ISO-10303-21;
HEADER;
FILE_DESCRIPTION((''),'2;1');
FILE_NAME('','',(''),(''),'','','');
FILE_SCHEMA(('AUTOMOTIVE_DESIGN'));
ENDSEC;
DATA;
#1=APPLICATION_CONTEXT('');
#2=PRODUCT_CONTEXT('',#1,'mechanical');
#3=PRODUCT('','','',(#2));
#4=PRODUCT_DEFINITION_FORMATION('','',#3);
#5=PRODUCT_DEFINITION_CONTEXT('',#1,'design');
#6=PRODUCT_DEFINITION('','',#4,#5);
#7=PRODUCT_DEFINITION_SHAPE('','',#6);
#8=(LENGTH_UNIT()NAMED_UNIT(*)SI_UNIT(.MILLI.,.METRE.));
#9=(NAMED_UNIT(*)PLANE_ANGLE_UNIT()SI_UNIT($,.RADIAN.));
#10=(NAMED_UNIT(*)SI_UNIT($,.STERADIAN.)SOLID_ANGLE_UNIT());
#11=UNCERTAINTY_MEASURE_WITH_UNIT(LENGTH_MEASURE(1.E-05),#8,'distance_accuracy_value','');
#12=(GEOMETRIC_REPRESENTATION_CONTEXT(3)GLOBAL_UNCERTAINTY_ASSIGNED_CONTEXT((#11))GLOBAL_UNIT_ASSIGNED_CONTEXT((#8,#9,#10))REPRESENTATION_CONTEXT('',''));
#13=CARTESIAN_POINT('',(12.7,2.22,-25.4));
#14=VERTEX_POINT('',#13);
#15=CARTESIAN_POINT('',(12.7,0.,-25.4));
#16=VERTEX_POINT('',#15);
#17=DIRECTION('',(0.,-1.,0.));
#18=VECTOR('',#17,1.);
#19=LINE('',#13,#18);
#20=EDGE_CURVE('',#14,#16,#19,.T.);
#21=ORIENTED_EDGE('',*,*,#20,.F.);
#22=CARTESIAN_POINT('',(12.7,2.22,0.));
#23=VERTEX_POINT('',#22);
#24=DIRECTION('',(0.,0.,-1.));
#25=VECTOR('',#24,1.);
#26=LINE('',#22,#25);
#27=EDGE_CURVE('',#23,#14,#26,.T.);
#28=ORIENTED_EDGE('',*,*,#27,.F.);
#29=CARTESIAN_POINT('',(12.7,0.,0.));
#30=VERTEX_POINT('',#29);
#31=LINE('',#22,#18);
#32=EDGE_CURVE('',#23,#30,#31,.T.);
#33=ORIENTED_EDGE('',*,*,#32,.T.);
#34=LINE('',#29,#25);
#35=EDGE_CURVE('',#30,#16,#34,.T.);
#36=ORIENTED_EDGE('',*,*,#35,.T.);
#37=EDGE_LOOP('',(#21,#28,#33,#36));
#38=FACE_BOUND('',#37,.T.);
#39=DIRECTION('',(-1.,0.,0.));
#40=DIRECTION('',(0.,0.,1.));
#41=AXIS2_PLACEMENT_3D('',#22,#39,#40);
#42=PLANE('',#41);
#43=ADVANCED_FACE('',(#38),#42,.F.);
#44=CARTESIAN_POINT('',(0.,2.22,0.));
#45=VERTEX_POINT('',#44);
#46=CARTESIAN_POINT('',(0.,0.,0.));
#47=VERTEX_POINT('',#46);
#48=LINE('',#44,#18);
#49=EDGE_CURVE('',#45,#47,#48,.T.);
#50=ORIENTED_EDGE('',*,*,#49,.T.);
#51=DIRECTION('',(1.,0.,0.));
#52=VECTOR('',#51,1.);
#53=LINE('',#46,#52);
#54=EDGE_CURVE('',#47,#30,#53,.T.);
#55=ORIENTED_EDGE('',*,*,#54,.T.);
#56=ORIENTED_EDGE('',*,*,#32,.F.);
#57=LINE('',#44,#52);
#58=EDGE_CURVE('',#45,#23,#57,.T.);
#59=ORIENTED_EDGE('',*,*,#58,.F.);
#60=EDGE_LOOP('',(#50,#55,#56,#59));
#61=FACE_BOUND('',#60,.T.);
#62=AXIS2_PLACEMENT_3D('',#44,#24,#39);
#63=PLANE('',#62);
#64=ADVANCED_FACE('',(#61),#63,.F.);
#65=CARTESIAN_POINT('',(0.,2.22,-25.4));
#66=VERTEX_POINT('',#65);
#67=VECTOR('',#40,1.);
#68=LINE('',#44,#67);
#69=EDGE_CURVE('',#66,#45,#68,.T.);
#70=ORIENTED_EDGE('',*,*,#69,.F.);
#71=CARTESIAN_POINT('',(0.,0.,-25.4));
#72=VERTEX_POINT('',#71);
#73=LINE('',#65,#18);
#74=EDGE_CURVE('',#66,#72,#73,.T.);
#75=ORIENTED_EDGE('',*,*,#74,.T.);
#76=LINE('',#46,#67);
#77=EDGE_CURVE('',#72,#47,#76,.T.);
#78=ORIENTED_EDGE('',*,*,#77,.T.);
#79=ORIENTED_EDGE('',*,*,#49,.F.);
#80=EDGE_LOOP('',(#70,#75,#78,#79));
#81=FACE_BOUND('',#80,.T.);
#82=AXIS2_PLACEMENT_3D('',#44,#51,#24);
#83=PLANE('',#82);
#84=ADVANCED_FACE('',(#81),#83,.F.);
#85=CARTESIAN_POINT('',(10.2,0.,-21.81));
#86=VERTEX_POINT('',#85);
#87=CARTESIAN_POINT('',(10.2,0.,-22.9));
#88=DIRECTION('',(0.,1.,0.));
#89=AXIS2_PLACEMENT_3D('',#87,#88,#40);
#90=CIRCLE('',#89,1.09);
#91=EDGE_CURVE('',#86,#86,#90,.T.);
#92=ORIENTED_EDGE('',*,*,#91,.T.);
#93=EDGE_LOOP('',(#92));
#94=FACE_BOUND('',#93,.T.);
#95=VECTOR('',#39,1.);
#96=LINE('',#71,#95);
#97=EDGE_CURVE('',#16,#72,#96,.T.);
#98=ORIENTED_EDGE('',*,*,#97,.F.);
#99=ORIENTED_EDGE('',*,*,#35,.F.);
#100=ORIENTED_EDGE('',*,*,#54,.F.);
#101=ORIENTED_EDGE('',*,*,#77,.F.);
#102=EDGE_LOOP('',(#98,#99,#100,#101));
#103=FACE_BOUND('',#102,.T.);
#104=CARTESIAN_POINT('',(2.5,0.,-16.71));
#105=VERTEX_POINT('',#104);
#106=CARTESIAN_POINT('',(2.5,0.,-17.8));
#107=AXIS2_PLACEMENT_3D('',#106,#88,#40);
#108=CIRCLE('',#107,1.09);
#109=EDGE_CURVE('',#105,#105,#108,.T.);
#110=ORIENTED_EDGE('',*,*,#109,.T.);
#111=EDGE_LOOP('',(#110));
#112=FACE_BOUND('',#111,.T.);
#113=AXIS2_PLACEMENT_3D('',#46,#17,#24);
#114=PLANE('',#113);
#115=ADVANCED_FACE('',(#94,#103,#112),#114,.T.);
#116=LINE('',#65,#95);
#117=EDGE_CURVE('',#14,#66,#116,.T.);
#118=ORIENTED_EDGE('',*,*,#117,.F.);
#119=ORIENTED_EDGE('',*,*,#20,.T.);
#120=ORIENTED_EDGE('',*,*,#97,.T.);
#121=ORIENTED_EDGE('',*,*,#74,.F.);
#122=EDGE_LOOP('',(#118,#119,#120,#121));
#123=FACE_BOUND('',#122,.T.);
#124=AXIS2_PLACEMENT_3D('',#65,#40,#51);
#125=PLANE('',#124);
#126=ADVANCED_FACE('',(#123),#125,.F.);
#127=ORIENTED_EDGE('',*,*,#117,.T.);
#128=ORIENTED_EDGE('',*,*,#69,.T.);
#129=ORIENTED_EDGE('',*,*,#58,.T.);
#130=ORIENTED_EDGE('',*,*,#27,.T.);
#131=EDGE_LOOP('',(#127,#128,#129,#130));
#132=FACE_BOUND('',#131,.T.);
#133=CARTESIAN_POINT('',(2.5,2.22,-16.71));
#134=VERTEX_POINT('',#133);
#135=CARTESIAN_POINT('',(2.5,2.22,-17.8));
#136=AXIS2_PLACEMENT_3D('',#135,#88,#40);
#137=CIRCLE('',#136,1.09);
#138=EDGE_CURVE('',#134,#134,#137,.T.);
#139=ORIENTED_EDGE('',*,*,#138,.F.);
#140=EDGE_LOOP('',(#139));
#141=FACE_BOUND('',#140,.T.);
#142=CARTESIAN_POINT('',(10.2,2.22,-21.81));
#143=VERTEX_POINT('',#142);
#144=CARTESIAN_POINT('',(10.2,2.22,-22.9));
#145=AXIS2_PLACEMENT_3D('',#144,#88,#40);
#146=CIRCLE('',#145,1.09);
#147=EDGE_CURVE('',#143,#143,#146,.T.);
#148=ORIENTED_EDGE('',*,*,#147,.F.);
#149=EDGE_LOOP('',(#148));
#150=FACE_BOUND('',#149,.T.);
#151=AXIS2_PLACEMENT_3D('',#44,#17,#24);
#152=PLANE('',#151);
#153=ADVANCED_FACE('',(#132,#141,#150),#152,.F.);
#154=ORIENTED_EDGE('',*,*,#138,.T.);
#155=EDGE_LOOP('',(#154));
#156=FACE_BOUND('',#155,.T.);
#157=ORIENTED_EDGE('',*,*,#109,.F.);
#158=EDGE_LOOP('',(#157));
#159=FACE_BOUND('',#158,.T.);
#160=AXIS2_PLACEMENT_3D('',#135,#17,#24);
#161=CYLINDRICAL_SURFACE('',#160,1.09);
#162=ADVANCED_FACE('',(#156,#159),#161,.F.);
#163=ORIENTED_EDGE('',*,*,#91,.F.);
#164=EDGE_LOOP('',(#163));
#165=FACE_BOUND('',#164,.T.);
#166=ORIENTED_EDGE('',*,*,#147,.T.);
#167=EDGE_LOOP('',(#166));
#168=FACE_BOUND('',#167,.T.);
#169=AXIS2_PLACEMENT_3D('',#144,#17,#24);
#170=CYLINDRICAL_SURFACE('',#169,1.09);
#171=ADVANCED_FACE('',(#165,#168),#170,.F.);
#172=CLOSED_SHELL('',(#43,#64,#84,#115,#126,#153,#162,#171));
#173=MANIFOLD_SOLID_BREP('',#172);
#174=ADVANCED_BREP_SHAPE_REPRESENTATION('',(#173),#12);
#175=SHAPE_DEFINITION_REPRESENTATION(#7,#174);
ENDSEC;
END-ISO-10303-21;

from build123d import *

# Parameters (mm, degrees)
SKETCH1_W           = 12.7
SKETCH1_H           = 25.4
SKETCH1_R           = 1.09
BOSS_EXTRUDE1_DEPTH = 2.22


with BuildPart() as part:
    # Sketch1 → Boss-Extrude1 (new body)
    with BuildSketch(Plane(origin=(0, 0, 0), x_dir=(1, 0, 0), z_dir=(0, 1, 0))):
        with Locations((6.35, 12.7)):
            Rectangle(SKETCH1_W, SKETCH1_H)
        with Locations((2.5, 17.8)):
            Circle(SKETCH1_R, mode=Mode.SUBTRACT)
        with Locations((10.2, 22.9)):
            Circle(SKETCH1_R, mode=Mode.SUBTRACT)
    extrude(amount=BOSS_EXTRUDE1_DEPTH)


solid = part.part
